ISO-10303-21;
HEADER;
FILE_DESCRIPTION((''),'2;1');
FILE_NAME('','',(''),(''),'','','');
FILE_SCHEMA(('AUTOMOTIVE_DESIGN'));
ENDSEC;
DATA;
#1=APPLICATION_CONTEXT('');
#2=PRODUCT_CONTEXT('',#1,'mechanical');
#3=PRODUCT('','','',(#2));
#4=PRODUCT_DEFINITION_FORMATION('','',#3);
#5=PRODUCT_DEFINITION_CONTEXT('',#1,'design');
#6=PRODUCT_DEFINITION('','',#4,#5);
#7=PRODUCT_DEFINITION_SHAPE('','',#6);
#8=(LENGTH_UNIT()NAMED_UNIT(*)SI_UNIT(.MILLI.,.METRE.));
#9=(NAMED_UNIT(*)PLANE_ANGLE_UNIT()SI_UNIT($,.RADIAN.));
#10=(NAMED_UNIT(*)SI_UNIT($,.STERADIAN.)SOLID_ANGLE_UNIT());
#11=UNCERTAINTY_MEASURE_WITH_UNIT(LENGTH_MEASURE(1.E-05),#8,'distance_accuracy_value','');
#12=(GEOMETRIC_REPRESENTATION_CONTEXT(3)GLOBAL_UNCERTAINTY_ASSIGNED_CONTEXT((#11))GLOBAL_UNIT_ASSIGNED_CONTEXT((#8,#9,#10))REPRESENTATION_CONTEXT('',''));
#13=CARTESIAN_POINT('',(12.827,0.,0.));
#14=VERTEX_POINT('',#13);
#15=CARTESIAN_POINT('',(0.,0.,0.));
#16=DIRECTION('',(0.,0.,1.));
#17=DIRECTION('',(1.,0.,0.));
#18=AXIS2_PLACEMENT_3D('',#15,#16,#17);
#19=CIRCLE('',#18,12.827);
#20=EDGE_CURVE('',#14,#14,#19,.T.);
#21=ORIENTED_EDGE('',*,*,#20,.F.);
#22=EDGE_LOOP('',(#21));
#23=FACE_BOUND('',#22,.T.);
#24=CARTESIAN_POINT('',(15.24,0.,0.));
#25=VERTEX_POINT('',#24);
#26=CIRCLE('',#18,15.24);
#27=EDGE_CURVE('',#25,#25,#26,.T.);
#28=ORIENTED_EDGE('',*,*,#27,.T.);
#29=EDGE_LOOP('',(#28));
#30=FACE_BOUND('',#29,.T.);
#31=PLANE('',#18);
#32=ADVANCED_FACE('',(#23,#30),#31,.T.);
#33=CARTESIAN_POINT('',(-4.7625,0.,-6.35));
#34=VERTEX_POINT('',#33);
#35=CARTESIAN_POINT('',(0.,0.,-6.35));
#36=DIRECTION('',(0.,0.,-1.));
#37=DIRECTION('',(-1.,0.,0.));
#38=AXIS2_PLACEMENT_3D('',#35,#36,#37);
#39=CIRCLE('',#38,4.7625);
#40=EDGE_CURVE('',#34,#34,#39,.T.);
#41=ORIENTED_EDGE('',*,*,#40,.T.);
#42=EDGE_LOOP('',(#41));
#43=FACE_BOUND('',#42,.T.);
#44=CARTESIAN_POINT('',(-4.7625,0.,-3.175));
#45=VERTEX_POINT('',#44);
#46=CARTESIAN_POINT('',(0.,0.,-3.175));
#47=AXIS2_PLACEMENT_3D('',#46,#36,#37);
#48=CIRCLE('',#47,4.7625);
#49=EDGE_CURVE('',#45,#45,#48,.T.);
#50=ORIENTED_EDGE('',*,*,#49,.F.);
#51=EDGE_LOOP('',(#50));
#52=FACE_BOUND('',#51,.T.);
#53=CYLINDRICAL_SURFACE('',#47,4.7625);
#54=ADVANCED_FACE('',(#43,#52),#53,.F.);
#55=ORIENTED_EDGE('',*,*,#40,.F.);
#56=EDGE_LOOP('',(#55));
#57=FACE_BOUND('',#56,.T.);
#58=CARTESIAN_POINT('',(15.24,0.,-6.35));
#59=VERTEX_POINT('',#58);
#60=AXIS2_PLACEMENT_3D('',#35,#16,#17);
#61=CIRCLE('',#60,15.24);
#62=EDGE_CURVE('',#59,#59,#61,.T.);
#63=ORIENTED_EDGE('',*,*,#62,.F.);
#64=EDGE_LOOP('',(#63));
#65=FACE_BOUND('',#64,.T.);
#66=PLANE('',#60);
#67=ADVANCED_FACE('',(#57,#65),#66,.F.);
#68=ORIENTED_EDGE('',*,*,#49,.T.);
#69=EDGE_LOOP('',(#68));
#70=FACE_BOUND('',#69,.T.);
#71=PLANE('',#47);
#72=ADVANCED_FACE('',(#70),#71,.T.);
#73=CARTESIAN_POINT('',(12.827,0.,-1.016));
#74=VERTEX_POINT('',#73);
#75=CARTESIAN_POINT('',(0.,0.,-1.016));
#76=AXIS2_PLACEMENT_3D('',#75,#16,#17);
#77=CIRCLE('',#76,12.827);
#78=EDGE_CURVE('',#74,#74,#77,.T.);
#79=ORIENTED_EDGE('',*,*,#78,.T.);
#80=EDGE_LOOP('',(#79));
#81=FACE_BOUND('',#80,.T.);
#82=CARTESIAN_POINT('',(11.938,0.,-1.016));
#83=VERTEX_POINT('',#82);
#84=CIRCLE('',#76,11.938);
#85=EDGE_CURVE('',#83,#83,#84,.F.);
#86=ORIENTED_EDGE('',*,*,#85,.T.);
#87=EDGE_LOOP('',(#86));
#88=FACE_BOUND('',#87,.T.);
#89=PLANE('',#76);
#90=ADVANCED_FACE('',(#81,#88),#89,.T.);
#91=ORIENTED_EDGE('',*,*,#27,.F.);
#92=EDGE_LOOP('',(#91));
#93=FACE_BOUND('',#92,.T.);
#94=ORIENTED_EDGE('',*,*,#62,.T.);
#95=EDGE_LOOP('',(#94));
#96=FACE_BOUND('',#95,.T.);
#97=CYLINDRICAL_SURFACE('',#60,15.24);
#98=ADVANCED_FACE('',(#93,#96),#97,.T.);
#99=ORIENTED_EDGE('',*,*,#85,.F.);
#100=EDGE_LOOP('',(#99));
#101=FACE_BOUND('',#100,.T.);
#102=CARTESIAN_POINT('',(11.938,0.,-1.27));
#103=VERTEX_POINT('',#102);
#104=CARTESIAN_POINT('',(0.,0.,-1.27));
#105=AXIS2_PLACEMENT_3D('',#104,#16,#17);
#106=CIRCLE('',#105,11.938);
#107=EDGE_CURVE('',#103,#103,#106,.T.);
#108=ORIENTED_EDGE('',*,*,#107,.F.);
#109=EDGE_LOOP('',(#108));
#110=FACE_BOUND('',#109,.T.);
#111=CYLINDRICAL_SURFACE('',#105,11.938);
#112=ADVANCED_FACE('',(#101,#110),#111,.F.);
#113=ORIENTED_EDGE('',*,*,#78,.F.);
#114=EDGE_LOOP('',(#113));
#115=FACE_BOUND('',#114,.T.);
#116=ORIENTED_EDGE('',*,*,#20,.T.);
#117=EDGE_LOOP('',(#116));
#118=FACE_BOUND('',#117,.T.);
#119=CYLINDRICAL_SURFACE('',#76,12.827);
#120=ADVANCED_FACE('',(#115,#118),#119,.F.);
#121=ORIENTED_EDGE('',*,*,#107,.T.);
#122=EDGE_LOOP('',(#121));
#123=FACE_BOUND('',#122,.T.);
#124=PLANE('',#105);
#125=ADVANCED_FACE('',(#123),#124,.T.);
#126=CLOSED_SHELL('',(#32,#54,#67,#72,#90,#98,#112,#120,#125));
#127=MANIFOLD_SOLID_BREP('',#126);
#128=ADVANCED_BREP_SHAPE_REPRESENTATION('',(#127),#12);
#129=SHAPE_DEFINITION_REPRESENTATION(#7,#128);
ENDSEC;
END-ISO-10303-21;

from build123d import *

# Parameters (mm, degrees)
BACKER_MAIN_R              = 15.24
BOSS_EXTRUDE1_DEPTH        = 6.35
SUBSTRATE_BACK_CLEARANCE_R = 11.938
CUT_EXTRUDE1_DEPTH         = 1.27
SUBSTRATE_CSINK_R          = 12.827
CUT_EXTRUDE2_DEPTH         = 1.016
SPRING_HOLE_R              = 4.7625
CUT_EXTRUDE3_DEPTH         = 3.175


with BuildPart() as part:
    # Backer Main → Boss-Extrude1 (new body)
    with BuildSketch(Plane.XY):
        Circle(BACKER_MAIN_R)
    extrude(amount=-BOSS_EXTRUDE1_DEPTH)

    # Substrate Back Clearance → Cut-Extrude1 (cut)
    with BuildSketch(Plane.XY):
        Circle(SUBSTRATE_BACK_CLEARANCE_R)
    extrude(amount=-CUT_EXTRUDE1_DEPTH, mode=Mode.SUBTRACT)

    # Substrate CSink → Cut-Extrude2 (cut)
    with BuildSketch(Plane.XY):
        Circle(SUBSTRATE_CSINK_R)
    extrude(amount=-CUT_EXTRUDE2_DEPTH, mode=Mode.SUBTRACT)

    # Spring Hole → Cut-Extrude3 (cut)
    with BuildSketch(Plane(origin=(0, 0, -6.35), x_dir=(-1, 0, 0), z_dir=(0, 0, -1))):
        Circle(SPRING_HOLE_R)
    extrude(amount=-CUT_EXTRUDE3_DEPTH, mode=Mode.SUBTRACT)


solid = part.part
